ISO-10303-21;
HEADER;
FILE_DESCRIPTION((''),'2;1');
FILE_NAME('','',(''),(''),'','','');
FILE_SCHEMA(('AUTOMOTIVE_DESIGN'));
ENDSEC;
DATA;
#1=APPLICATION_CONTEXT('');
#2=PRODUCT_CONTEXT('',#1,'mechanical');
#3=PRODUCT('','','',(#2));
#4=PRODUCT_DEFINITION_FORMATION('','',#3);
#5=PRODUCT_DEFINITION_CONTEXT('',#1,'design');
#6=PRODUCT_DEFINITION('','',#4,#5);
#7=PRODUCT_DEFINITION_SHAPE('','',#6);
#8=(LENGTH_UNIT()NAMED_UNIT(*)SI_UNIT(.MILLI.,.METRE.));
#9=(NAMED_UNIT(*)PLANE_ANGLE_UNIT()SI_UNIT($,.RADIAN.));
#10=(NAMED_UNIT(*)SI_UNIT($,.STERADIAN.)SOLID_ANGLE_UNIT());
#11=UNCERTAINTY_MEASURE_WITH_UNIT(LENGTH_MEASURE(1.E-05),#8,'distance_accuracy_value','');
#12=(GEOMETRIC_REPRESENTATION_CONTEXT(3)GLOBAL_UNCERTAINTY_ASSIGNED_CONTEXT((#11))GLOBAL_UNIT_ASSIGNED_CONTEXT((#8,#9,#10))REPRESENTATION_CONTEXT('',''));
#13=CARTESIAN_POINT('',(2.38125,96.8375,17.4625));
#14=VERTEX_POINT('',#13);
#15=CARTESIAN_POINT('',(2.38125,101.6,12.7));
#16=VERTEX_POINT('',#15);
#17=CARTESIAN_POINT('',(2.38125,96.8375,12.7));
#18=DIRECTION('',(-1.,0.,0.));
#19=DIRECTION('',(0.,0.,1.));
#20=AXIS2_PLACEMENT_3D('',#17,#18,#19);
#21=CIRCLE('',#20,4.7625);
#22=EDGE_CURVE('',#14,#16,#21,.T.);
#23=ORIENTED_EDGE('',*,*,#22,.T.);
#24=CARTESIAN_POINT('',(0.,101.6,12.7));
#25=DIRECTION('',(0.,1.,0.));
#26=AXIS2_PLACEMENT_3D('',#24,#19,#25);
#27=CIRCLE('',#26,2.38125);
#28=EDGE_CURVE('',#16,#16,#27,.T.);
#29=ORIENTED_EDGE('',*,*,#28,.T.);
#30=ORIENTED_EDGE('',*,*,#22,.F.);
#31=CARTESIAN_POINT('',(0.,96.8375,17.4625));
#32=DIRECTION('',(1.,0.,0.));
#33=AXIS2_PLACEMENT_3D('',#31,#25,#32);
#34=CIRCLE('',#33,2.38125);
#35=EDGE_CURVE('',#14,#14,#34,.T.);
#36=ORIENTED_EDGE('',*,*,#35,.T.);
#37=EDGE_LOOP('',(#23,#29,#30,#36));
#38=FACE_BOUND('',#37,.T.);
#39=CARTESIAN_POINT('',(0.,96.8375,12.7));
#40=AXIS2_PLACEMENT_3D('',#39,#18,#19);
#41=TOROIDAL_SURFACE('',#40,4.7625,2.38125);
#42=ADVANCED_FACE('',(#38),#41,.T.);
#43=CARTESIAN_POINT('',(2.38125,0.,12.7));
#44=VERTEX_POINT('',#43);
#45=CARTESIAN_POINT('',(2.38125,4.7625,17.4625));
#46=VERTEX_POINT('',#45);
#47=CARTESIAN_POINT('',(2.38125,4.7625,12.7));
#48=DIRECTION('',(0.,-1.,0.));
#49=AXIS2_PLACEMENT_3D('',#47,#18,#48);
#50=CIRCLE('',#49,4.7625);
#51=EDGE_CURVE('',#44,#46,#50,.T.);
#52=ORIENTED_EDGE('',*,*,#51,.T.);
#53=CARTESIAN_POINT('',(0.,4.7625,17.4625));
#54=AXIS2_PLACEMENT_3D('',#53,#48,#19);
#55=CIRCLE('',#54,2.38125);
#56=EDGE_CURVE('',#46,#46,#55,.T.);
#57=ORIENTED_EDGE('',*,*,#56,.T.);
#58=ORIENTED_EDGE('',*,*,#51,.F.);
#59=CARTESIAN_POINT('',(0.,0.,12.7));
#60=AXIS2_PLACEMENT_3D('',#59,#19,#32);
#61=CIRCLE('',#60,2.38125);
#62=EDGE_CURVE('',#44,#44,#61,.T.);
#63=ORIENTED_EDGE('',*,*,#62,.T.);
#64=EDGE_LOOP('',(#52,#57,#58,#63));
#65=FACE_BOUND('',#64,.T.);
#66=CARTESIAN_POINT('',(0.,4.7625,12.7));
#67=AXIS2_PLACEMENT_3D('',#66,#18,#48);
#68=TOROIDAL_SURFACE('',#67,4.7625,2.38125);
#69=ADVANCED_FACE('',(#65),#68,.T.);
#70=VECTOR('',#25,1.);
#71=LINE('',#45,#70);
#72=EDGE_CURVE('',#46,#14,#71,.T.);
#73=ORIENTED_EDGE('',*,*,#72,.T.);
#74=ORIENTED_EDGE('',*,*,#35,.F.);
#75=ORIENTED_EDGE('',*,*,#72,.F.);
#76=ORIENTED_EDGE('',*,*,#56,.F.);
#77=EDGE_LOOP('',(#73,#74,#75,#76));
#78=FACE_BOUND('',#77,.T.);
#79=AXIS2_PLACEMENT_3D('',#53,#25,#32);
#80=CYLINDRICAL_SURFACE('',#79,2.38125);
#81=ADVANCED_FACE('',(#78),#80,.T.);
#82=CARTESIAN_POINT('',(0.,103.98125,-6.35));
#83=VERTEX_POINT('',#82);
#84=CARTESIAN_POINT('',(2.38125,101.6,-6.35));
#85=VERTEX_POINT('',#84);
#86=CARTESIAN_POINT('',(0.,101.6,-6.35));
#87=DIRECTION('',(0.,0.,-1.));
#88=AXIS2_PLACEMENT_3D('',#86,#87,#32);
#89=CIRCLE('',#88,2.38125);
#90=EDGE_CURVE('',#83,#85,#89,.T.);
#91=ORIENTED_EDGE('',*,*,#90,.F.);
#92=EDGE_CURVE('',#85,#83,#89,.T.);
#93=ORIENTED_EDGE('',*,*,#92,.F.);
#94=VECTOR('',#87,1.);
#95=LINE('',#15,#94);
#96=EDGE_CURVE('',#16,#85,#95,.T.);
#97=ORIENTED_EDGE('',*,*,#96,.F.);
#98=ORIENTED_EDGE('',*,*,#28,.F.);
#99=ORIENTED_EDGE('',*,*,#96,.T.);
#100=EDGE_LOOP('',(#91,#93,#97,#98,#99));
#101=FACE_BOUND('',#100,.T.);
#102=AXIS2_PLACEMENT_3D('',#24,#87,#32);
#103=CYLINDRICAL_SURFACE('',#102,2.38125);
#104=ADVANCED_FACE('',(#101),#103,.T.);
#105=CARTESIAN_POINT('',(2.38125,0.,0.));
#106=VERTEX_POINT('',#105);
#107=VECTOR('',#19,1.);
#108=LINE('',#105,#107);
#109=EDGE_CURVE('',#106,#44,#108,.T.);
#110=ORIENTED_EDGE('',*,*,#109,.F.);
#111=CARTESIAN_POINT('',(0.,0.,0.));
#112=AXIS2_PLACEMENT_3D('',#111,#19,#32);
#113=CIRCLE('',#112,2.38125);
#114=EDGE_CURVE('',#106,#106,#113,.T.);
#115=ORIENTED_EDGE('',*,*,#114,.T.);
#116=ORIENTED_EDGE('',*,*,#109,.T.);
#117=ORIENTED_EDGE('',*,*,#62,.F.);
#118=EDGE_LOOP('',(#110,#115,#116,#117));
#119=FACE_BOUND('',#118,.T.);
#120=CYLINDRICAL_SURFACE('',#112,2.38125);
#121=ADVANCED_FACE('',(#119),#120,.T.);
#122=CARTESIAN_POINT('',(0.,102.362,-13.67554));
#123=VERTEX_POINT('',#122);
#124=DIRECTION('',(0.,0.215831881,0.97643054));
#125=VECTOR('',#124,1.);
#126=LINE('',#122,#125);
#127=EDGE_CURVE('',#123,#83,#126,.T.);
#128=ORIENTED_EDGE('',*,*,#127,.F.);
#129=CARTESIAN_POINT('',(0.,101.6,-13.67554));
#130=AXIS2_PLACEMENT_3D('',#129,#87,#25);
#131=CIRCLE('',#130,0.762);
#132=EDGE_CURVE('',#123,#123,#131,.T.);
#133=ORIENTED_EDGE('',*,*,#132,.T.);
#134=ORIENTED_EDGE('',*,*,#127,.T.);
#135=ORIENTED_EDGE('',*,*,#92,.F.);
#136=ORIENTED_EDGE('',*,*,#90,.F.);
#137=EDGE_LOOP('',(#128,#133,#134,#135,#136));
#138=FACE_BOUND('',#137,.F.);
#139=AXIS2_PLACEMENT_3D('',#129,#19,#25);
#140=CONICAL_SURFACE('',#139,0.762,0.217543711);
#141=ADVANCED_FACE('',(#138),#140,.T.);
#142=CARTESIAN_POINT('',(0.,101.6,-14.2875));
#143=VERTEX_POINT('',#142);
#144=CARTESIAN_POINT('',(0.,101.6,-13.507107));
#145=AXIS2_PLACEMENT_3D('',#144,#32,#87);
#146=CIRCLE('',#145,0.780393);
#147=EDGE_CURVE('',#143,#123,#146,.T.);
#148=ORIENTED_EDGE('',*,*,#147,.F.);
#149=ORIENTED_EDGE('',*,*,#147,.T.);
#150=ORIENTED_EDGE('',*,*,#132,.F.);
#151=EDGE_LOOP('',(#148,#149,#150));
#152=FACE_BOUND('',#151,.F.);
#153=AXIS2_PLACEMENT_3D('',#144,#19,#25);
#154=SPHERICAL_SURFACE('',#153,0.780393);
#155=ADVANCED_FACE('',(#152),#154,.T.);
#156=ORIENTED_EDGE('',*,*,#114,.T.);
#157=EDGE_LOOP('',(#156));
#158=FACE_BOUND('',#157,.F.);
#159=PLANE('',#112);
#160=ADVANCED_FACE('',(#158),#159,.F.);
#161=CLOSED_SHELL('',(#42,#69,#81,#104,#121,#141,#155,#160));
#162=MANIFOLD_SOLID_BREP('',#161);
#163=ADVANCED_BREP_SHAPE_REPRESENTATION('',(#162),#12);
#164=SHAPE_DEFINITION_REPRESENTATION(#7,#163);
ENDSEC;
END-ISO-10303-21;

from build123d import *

# Parameters (mm, degrees)
F1_R = 2.38125


with BuildPart() as f2:
    # F2: sweep along a path in F0
    with BuildLine(Plane.YZ) as f2_path:
        Line((0, 0), (0, 12.7))
        ThreePointArc((0, 12.7), (1.3949039546, 16.0675960454), (4.7625, 17.4625))
        Line((4.7625, 17.4625), (96.8375, 17.4625))
        ThreePointArc((96.8375, 17.4625), (100.2050960454, 16.0675960454), (101.6, 12.7))
        Line((101.6, 12.7), (101.6, -6.35))
    # F1 (on Top) → F2 (sweep)
    with BuildSketch(Plane.XY):
        Circle(F1_R)
    sweep(path=f2_path.line)

    # F0 (on Right) → F3 (revolve)
    with BuildSketch(Plane.YZ):
        with BuildLine():
            Line((103.98125, -6.35), (101.6, -6.35))
            Line((101.6, -6.35), (101.6, -13.5071065476))
            Line((101.6, -13.5071065476), (101.6, -14.2875))
            ThreePointArc((101.6, -14.2875), (102.088655971, -14.1155712405), (102.362, -13.6755403345))
            Line((102.362, -13.6755403345), (103.98125, -6.35))
        make_face()
    revolve(axis=Axis((0, 101.6, -9.9285532738), (0, 0, -1)))


solid = f2.part
